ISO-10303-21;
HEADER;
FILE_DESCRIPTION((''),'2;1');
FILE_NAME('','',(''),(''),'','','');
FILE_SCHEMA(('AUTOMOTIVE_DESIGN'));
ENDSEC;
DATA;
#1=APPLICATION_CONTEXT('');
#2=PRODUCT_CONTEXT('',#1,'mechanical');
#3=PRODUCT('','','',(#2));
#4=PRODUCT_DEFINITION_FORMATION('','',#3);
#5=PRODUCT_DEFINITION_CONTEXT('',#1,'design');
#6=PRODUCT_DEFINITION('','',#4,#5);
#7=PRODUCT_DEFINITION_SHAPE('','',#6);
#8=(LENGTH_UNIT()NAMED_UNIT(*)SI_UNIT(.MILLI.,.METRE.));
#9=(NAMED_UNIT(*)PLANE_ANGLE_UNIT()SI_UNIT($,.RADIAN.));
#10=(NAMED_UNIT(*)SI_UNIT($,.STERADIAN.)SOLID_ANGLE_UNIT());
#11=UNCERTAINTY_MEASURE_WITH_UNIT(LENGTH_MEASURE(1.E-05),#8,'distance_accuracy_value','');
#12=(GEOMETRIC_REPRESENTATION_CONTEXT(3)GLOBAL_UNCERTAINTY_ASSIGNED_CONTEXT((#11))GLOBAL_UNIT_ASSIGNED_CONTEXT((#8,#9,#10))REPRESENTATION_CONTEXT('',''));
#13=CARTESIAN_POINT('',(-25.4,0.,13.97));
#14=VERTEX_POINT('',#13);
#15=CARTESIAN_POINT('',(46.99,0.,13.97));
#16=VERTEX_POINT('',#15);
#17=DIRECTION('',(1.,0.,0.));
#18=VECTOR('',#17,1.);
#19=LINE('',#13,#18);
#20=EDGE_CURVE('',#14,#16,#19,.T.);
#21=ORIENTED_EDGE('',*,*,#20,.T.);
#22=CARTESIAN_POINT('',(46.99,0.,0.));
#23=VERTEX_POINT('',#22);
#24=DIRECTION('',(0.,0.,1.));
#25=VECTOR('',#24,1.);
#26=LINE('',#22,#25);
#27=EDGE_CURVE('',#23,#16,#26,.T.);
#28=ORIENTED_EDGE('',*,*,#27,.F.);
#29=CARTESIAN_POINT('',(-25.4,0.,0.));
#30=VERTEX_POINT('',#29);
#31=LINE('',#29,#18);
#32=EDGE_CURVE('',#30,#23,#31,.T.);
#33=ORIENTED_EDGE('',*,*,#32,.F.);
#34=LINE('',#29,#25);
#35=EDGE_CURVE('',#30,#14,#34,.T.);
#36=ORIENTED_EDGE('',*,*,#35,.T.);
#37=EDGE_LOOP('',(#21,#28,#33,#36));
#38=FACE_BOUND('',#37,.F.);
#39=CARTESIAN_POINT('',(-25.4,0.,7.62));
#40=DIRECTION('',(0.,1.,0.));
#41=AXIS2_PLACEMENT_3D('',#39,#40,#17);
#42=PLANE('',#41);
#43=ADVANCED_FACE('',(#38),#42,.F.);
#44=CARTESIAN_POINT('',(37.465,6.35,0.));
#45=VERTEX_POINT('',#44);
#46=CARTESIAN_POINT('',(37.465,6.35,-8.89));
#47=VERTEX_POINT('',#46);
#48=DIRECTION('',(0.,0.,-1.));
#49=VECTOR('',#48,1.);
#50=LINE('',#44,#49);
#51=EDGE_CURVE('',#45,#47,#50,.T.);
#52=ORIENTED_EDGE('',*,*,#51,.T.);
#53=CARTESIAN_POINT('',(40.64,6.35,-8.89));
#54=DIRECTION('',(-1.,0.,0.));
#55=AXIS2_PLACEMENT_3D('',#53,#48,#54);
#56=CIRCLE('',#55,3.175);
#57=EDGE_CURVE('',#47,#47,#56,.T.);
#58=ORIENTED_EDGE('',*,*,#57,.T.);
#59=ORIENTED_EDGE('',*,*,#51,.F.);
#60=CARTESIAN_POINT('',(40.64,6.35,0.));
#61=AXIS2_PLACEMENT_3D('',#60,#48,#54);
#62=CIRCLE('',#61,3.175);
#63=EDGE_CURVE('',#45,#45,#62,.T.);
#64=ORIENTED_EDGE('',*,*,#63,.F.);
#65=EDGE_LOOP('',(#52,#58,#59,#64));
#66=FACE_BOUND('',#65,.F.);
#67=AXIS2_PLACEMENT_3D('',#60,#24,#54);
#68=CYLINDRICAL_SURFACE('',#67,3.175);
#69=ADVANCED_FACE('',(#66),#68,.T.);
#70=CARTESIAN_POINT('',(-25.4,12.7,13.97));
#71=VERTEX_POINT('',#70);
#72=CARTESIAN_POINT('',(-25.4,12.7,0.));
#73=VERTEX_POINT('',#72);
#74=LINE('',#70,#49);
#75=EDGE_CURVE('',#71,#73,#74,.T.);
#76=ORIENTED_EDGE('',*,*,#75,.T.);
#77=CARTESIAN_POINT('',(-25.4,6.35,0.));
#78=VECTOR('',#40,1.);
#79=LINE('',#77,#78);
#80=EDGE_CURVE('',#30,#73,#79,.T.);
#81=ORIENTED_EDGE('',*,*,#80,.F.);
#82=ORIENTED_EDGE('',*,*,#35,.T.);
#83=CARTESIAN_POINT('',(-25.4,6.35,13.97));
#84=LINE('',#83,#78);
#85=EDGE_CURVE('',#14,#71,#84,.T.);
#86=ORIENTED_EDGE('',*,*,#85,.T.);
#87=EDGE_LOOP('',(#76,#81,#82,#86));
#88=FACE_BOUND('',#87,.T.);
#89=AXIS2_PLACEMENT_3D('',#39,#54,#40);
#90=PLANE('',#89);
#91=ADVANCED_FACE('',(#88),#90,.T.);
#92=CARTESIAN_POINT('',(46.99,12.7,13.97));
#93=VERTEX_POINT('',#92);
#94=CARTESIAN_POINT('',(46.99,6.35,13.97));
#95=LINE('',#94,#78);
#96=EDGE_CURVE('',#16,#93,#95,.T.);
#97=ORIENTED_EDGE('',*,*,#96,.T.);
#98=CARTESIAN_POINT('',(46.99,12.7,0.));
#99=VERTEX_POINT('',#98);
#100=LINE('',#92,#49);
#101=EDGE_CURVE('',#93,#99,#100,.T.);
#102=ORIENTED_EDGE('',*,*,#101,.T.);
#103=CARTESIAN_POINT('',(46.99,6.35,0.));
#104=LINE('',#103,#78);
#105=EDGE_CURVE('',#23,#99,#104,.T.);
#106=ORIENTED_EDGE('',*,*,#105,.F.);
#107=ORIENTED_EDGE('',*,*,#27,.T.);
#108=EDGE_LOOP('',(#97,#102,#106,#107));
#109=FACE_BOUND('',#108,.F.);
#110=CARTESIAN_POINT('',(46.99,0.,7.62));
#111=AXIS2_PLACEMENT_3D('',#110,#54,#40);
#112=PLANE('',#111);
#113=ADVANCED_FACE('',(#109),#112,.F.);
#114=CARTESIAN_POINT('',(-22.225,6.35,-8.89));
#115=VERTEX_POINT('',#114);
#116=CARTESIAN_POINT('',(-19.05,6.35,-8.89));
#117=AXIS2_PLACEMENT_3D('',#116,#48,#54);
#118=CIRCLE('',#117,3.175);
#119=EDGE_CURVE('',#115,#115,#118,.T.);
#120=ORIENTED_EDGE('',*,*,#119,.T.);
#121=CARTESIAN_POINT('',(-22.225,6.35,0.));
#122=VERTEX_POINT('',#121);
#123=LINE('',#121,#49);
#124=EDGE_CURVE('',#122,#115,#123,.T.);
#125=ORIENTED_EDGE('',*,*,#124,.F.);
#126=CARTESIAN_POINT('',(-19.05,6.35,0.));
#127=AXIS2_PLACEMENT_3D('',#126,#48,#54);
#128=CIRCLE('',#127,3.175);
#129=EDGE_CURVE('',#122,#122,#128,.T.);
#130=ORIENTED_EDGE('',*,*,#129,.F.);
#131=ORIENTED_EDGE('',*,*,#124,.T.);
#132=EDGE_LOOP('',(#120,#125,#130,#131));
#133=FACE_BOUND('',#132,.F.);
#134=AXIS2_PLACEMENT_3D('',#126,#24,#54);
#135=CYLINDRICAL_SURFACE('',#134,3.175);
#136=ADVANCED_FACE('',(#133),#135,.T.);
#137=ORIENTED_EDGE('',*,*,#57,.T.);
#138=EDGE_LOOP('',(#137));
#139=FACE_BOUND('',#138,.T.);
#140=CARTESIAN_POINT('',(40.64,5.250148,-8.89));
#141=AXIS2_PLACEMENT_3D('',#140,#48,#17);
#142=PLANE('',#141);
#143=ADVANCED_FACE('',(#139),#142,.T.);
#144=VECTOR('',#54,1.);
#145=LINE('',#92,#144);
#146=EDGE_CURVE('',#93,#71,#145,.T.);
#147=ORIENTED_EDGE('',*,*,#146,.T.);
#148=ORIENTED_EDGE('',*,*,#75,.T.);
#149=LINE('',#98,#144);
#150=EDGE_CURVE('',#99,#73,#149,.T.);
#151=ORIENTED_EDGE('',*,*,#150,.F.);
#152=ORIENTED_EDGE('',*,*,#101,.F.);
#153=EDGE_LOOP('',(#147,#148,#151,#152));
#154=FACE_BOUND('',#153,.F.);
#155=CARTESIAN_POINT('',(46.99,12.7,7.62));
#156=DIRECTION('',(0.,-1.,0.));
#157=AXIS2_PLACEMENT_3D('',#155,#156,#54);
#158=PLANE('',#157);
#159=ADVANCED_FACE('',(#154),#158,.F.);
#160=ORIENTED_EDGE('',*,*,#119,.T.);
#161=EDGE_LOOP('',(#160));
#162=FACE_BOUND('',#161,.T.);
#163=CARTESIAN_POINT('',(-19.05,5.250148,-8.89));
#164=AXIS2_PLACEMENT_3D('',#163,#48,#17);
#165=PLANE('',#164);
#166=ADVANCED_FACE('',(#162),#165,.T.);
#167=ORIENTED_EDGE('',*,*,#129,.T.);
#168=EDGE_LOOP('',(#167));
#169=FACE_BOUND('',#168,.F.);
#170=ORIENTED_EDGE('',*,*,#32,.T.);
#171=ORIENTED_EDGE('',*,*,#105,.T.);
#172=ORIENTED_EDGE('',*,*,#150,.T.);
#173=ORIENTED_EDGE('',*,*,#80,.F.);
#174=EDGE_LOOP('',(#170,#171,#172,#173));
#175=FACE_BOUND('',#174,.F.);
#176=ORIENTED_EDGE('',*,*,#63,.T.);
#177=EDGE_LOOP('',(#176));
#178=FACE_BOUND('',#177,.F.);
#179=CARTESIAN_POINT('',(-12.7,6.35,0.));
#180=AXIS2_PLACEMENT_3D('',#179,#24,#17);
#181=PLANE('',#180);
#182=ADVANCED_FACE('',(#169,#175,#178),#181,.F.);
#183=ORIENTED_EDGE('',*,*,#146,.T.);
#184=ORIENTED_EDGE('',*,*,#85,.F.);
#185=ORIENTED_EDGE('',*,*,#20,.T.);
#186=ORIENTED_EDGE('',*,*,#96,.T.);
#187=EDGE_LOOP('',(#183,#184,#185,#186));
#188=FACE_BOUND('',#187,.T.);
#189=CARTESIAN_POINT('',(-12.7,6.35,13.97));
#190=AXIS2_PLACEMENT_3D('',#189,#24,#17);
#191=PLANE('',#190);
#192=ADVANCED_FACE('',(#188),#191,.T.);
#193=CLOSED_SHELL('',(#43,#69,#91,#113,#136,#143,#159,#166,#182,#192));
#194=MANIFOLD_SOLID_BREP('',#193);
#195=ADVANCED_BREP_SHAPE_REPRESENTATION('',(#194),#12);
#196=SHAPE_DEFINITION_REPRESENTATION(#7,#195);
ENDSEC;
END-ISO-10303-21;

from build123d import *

# Parameters (mm, degrees)
F0_W     = 25.4
F0_H     = 12.7
F0_W_2   = 46.99
F1_DEPTH = 7.62
F3_DEPTH = 8.89
F4_DEPTH = 6.35


with BuildPart() as f1:
    # F0 (on Top) → F1 (new body)
    with BuildSketch(Plane.XY):
        with Locations((-12.7, 6.35)):
            Rectangle(F0_W, F0_H)
        with Locations((23.495, 6.35)):
            Rectangle(F0_W_2, F0_H)
    extrude(amount=F1_DEPTH)

    # F2 (on face) → F3 (join)
    with BuildSketch(Plane(origin=(0, 0, 0), x_dir=(1, 0, 0), z_dir=(0, 0, -1))):
        with BuildLine():
            ThreePointArc((-15.875, -6.35), (-19.05, -3.175), (-22.225, -6.35))
            Line((-22.225, -6.35), (-19.05, -6.35))
            Line((-19.05, -6.35), (-15.875, -6.35))
        make_face()
        with BuildLine():
            Line((-19.05, -6.35), (-22.225, -6.35))
            ThreePointArc((-22.225, -6.35), (-19.05, -9.525), (-15.875, -6.35))
            Line((-15.875, -6.35), (-19.05, -6.35))
        make_face()
        with BuildLine():
            Line((40.64, -6.35), (43.815, -6.35))
            ThreePointArc((43.815, -6.35), (40.64, -3.175), (37.465, -6.35))
            Line((37.465, -6.35), (40.64, -6.35))
        make_face()
        with BuildLine():
            ThreePointArc((37.465, -6.35), (40.64, -9.525), (43.815, -6.35))
            Line((43.815, -6.35), (40.64, -6.35))
            Line((40.64, -6.35), (37.465, -6.35))
        make_face()
    extrude(amount=F3_DEPTH)

    # F4 (add): a face of the model
    f4_faces = [f1.faces().sort_by_distance(p)[0] for p in [
        (10.795, 6.35, 7.62),
    ]]
    extrude(f4_faces, amount=F4_DEPTH)


solid = f1.part
